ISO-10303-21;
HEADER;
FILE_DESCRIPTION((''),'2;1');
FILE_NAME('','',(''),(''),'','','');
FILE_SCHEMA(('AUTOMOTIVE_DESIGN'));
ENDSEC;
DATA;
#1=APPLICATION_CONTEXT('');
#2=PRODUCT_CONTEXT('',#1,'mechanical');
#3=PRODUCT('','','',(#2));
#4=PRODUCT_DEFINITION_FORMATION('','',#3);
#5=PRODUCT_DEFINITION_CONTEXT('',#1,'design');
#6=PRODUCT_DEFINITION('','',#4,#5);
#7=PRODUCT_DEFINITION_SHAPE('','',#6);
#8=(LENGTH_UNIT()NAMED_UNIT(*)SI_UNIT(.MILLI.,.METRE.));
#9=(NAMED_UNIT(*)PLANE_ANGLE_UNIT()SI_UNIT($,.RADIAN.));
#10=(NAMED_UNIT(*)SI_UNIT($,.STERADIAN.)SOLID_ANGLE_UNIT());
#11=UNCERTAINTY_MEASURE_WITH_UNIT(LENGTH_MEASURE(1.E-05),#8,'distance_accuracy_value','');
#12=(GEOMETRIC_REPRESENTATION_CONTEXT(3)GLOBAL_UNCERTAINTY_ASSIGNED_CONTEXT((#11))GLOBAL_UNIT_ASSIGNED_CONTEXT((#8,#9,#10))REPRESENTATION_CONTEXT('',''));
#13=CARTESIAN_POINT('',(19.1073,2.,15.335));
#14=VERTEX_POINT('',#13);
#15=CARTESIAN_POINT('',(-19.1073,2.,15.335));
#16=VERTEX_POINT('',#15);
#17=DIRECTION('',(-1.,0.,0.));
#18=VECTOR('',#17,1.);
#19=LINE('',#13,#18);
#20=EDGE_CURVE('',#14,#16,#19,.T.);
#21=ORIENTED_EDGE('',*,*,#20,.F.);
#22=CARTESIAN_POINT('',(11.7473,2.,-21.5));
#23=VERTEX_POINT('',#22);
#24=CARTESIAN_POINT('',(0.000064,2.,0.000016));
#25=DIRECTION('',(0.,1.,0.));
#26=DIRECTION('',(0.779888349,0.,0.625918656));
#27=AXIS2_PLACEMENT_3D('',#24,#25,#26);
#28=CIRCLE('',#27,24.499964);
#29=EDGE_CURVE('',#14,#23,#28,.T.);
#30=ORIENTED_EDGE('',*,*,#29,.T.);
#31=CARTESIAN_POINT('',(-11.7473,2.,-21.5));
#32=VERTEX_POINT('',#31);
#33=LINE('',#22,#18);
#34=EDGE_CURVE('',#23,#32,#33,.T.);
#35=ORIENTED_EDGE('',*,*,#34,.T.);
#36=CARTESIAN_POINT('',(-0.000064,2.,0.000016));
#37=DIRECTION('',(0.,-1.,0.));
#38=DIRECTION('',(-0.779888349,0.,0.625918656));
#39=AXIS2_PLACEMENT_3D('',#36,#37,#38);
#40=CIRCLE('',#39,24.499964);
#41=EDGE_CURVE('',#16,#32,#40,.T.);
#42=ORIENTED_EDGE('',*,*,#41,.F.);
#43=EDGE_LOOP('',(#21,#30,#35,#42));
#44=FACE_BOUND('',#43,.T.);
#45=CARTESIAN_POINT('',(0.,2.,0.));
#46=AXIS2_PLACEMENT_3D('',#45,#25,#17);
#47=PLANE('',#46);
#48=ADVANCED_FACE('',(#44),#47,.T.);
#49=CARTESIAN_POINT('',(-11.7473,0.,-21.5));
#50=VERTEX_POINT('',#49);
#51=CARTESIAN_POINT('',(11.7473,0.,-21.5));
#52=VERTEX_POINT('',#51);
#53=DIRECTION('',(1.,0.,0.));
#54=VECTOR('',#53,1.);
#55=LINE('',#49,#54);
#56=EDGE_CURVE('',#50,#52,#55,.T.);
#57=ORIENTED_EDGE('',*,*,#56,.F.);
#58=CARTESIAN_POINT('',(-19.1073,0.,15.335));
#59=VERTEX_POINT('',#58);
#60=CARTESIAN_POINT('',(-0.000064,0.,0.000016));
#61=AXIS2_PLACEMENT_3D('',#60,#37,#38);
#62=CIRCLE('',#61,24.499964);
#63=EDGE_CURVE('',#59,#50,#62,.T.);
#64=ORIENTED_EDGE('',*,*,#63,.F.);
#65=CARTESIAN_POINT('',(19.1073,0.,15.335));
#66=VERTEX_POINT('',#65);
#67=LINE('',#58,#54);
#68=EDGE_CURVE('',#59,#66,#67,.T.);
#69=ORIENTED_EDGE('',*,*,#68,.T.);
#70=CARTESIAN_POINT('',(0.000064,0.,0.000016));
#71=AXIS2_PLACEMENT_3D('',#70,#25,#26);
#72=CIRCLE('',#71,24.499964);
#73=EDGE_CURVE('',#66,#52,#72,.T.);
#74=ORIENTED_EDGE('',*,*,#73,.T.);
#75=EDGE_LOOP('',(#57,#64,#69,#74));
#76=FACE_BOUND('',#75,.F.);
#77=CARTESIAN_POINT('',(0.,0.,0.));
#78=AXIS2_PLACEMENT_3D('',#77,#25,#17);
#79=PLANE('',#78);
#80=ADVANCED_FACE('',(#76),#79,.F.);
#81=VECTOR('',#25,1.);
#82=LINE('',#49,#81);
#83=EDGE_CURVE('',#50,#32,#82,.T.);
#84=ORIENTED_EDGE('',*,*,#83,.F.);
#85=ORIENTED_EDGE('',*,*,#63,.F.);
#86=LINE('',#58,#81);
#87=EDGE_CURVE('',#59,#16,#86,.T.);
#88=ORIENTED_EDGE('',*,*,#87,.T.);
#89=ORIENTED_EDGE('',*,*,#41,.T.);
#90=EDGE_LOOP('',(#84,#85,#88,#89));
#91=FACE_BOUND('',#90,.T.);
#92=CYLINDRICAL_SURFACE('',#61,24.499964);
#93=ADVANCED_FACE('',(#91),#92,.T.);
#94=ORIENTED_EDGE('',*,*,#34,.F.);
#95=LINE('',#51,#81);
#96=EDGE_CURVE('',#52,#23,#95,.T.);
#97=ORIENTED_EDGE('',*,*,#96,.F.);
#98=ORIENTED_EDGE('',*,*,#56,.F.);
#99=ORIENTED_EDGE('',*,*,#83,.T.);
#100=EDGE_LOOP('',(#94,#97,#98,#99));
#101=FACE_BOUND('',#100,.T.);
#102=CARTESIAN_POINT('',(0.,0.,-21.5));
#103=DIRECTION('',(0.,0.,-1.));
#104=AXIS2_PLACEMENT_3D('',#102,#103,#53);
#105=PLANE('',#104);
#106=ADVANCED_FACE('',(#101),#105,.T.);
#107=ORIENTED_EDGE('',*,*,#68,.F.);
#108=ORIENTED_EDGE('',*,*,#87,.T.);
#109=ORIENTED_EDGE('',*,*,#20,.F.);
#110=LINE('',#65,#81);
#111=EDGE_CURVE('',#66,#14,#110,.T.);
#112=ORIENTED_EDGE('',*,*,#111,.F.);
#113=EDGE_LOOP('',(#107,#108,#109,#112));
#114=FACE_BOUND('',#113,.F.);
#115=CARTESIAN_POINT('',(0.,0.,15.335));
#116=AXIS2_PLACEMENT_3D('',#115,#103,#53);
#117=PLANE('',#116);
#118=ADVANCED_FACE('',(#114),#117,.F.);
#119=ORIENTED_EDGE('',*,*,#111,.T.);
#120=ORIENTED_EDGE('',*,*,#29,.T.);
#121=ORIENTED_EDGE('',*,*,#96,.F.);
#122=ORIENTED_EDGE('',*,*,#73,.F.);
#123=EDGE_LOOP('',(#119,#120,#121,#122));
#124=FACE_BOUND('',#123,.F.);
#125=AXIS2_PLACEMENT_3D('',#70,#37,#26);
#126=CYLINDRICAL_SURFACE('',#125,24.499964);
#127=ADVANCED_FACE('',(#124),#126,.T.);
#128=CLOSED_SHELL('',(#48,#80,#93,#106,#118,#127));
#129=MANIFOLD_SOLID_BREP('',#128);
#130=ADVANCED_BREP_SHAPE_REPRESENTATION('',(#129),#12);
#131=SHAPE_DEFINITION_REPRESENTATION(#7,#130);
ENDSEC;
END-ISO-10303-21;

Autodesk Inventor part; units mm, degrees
ref_plane "YZ Plane" through (0, 0, 0) normal (1, 0, 0) x (0, 1, 0)
ref_plane "XZ Plane" through (0, 0, 0) normal (0, 1, 0) x (-1, 0, 0)
ref_plane "XY Plane" through (0, 0, 0) normal (0, 0, 1) x (1, 0, 0)
sketch "スケッチ1" plane through (0, 0, 0) normal (0, 1, 0) x (-1, 0, 0)
  point P0 (0, 0)
sketch "スケッチ2" plane through (0, 0, 0) normal (0, 1, 0) x (-1, 0, 0)
  arc A0 (-19.1073, 15.335) -> (-11.7473, -21.5) centre (0, 0) ccw
  line L0 (0, 0) -> (0, -21.5)
  line L1 (0, 0) -> (0, 15.335)
  line L2 (0, -21.5) -> (-11.7473, -21.5)
  line L3 (0, 15.335) -> (-19.1073, 15.335)
  dimension "d1" = 21.5
  dimension "d3" = 15.335
  dimension "d4" = 24.5
extrude "押し出し1" add sketch "スケッチ2" along normal blind 2
mirror "ミラー1" about plane through (0, 0, -21.5) normal (-1, 0, 0) of "押し出し1"
properties part number "soko"
